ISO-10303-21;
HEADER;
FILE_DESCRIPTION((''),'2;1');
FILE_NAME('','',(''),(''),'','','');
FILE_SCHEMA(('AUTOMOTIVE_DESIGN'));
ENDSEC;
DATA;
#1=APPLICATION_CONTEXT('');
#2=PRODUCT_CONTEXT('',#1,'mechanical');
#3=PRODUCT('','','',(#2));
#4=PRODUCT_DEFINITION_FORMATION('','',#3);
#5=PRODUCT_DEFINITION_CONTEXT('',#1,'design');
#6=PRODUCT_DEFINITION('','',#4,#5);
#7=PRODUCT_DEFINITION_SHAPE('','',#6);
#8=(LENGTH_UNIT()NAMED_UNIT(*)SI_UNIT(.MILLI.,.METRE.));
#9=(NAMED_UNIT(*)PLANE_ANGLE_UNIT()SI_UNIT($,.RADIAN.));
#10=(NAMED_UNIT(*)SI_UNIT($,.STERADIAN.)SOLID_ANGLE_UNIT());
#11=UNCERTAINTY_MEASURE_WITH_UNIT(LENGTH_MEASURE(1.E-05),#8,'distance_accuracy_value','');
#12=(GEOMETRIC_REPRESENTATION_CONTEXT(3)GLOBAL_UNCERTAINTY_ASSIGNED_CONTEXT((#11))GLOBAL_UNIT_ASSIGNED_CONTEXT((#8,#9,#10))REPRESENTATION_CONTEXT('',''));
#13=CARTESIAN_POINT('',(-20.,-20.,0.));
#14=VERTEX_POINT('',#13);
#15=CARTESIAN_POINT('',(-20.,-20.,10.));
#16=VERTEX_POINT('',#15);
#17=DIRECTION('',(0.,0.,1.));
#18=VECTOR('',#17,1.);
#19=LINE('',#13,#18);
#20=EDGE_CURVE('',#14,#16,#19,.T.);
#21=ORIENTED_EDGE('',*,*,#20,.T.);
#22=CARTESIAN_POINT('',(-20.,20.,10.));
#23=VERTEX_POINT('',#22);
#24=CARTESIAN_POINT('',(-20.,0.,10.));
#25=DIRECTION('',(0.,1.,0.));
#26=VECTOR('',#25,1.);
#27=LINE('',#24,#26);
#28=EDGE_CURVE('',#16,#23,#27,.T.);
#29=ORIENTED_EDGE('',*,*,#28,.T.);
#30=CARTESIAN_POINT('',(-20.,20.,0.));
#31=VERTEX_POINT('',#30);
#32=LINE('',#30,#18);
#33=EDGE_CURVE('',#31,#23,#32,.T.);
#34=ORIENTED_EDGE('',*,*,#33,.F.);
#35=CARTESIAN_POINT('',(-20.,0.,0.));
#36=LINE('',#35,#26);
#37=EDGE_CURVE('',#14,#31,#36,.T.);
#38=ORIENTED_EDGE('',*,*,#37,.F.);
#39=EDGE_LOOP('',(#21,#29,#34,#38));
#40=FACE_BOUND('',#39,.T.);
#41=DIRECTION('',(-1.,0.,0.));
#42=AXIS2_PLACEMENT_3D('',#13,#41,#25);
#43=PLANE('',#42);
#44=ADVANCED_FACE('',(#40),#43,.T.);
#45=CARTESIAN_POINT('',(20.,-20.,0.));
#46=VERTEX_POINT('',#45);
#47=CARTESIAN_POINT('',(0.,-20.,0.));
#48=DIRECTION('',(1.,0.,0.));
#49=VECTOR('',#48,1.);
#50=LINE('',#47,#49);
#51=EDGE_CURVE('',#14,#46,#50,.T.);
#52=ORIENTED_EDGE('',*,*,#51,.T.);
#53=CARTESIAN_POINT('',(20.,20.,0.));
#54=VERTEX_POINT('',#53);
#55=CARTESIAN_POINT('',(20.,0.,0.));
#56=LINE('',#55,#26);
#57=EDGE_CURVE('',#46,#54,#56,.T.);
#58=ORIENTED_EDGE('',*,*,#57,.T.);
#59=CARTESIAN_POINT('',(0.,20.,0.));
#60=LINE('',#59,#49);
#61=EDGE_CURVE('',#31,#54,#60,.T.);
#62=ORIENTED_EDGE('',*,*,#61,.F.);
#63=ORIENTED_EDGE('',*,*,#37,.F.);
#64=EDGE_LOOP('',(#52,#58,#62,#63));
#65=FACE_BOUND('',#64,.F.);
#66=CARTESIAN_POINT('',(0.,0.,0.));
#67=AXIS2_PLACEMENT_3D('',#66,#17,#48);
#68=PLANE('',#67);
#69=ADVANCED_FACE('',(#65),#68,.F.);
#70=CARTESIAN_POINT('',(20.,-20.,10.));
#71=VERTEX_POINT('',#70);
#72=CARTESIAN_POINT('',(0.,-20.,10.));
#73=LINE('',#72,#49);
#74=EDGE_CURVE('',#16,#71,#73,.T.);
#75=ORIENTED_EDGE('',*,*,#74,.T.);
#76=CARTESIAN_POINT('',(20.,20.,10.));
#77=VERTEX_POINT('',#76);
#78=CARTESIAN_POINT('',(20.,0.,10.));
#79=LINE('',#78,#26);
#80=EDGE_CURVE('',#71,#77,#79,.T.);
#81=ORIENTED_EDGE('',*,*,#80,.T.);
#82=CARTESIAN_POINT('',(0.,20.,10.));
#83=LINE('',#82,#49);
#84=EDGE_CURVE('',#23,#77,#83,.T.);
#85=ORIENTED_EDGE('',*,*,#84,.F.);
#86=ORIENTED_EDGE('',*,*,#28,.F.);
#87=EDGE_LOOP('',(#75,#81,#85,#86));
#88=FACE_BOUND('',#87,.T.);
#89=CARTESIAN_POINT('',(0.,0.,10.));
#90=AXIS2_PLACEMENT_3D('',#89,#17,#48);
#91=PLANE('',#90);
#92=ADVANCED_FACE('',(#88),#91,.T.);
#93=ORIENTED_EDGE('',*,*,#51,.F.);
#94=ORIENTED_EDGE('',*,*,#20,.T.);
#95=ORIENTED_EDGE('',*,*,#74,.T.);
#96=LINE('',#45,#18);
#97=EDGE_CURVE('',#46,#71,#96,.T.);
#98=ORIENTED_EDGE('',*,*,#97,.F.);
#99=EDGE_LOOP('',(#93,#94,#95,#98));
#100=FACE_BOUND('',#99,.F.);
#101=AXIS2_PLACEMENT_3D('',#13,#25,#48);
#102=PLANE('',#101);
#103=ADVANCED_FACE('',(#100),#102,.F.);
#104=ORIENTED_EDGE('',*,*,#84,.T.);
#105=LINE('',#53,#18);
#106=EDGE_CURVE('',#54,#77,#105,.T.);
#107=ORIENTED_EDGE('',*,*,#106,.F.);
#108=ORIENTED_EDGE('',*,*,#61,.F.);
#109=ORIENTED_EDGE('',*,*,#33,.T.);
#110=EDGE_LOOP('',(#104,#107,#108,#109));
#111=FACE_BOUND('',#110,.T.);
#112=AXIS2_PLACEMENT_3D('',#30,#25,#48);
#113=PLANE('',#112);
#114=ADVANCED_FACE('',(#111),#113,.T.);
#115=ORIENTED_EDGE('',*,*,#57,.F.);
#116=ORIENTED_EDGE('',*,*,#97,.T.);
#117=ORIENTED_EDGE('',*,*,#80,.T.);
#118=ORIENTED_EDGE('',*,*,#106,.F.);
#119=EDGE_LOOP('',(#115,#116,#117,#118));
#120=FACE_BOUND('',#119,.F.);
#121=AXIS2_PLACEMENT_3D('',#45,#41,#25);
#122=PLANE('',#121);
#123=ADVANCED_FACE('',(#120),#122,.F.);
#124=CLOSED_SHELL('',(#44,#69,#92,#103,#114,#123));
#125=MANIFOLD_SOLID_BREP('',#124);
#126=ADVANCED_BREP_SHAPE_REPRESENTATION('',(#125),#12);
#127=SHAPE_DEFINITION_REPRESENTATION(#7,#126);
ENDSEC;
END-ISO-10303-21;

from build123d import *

# Parameters (mm, degrees)
SKETCH_W  = 40
SKETCH_H  = 40
PAD_DEPTH = 10


with BuildPart() as part:
    # Sketch → Pad (new body)
    with BuildSketch(Plane.XY):
        Rectangle(SKETCH_W, SKETCH_H)
    extrude(amount=PAD_DEPTH)


solid = part.part
